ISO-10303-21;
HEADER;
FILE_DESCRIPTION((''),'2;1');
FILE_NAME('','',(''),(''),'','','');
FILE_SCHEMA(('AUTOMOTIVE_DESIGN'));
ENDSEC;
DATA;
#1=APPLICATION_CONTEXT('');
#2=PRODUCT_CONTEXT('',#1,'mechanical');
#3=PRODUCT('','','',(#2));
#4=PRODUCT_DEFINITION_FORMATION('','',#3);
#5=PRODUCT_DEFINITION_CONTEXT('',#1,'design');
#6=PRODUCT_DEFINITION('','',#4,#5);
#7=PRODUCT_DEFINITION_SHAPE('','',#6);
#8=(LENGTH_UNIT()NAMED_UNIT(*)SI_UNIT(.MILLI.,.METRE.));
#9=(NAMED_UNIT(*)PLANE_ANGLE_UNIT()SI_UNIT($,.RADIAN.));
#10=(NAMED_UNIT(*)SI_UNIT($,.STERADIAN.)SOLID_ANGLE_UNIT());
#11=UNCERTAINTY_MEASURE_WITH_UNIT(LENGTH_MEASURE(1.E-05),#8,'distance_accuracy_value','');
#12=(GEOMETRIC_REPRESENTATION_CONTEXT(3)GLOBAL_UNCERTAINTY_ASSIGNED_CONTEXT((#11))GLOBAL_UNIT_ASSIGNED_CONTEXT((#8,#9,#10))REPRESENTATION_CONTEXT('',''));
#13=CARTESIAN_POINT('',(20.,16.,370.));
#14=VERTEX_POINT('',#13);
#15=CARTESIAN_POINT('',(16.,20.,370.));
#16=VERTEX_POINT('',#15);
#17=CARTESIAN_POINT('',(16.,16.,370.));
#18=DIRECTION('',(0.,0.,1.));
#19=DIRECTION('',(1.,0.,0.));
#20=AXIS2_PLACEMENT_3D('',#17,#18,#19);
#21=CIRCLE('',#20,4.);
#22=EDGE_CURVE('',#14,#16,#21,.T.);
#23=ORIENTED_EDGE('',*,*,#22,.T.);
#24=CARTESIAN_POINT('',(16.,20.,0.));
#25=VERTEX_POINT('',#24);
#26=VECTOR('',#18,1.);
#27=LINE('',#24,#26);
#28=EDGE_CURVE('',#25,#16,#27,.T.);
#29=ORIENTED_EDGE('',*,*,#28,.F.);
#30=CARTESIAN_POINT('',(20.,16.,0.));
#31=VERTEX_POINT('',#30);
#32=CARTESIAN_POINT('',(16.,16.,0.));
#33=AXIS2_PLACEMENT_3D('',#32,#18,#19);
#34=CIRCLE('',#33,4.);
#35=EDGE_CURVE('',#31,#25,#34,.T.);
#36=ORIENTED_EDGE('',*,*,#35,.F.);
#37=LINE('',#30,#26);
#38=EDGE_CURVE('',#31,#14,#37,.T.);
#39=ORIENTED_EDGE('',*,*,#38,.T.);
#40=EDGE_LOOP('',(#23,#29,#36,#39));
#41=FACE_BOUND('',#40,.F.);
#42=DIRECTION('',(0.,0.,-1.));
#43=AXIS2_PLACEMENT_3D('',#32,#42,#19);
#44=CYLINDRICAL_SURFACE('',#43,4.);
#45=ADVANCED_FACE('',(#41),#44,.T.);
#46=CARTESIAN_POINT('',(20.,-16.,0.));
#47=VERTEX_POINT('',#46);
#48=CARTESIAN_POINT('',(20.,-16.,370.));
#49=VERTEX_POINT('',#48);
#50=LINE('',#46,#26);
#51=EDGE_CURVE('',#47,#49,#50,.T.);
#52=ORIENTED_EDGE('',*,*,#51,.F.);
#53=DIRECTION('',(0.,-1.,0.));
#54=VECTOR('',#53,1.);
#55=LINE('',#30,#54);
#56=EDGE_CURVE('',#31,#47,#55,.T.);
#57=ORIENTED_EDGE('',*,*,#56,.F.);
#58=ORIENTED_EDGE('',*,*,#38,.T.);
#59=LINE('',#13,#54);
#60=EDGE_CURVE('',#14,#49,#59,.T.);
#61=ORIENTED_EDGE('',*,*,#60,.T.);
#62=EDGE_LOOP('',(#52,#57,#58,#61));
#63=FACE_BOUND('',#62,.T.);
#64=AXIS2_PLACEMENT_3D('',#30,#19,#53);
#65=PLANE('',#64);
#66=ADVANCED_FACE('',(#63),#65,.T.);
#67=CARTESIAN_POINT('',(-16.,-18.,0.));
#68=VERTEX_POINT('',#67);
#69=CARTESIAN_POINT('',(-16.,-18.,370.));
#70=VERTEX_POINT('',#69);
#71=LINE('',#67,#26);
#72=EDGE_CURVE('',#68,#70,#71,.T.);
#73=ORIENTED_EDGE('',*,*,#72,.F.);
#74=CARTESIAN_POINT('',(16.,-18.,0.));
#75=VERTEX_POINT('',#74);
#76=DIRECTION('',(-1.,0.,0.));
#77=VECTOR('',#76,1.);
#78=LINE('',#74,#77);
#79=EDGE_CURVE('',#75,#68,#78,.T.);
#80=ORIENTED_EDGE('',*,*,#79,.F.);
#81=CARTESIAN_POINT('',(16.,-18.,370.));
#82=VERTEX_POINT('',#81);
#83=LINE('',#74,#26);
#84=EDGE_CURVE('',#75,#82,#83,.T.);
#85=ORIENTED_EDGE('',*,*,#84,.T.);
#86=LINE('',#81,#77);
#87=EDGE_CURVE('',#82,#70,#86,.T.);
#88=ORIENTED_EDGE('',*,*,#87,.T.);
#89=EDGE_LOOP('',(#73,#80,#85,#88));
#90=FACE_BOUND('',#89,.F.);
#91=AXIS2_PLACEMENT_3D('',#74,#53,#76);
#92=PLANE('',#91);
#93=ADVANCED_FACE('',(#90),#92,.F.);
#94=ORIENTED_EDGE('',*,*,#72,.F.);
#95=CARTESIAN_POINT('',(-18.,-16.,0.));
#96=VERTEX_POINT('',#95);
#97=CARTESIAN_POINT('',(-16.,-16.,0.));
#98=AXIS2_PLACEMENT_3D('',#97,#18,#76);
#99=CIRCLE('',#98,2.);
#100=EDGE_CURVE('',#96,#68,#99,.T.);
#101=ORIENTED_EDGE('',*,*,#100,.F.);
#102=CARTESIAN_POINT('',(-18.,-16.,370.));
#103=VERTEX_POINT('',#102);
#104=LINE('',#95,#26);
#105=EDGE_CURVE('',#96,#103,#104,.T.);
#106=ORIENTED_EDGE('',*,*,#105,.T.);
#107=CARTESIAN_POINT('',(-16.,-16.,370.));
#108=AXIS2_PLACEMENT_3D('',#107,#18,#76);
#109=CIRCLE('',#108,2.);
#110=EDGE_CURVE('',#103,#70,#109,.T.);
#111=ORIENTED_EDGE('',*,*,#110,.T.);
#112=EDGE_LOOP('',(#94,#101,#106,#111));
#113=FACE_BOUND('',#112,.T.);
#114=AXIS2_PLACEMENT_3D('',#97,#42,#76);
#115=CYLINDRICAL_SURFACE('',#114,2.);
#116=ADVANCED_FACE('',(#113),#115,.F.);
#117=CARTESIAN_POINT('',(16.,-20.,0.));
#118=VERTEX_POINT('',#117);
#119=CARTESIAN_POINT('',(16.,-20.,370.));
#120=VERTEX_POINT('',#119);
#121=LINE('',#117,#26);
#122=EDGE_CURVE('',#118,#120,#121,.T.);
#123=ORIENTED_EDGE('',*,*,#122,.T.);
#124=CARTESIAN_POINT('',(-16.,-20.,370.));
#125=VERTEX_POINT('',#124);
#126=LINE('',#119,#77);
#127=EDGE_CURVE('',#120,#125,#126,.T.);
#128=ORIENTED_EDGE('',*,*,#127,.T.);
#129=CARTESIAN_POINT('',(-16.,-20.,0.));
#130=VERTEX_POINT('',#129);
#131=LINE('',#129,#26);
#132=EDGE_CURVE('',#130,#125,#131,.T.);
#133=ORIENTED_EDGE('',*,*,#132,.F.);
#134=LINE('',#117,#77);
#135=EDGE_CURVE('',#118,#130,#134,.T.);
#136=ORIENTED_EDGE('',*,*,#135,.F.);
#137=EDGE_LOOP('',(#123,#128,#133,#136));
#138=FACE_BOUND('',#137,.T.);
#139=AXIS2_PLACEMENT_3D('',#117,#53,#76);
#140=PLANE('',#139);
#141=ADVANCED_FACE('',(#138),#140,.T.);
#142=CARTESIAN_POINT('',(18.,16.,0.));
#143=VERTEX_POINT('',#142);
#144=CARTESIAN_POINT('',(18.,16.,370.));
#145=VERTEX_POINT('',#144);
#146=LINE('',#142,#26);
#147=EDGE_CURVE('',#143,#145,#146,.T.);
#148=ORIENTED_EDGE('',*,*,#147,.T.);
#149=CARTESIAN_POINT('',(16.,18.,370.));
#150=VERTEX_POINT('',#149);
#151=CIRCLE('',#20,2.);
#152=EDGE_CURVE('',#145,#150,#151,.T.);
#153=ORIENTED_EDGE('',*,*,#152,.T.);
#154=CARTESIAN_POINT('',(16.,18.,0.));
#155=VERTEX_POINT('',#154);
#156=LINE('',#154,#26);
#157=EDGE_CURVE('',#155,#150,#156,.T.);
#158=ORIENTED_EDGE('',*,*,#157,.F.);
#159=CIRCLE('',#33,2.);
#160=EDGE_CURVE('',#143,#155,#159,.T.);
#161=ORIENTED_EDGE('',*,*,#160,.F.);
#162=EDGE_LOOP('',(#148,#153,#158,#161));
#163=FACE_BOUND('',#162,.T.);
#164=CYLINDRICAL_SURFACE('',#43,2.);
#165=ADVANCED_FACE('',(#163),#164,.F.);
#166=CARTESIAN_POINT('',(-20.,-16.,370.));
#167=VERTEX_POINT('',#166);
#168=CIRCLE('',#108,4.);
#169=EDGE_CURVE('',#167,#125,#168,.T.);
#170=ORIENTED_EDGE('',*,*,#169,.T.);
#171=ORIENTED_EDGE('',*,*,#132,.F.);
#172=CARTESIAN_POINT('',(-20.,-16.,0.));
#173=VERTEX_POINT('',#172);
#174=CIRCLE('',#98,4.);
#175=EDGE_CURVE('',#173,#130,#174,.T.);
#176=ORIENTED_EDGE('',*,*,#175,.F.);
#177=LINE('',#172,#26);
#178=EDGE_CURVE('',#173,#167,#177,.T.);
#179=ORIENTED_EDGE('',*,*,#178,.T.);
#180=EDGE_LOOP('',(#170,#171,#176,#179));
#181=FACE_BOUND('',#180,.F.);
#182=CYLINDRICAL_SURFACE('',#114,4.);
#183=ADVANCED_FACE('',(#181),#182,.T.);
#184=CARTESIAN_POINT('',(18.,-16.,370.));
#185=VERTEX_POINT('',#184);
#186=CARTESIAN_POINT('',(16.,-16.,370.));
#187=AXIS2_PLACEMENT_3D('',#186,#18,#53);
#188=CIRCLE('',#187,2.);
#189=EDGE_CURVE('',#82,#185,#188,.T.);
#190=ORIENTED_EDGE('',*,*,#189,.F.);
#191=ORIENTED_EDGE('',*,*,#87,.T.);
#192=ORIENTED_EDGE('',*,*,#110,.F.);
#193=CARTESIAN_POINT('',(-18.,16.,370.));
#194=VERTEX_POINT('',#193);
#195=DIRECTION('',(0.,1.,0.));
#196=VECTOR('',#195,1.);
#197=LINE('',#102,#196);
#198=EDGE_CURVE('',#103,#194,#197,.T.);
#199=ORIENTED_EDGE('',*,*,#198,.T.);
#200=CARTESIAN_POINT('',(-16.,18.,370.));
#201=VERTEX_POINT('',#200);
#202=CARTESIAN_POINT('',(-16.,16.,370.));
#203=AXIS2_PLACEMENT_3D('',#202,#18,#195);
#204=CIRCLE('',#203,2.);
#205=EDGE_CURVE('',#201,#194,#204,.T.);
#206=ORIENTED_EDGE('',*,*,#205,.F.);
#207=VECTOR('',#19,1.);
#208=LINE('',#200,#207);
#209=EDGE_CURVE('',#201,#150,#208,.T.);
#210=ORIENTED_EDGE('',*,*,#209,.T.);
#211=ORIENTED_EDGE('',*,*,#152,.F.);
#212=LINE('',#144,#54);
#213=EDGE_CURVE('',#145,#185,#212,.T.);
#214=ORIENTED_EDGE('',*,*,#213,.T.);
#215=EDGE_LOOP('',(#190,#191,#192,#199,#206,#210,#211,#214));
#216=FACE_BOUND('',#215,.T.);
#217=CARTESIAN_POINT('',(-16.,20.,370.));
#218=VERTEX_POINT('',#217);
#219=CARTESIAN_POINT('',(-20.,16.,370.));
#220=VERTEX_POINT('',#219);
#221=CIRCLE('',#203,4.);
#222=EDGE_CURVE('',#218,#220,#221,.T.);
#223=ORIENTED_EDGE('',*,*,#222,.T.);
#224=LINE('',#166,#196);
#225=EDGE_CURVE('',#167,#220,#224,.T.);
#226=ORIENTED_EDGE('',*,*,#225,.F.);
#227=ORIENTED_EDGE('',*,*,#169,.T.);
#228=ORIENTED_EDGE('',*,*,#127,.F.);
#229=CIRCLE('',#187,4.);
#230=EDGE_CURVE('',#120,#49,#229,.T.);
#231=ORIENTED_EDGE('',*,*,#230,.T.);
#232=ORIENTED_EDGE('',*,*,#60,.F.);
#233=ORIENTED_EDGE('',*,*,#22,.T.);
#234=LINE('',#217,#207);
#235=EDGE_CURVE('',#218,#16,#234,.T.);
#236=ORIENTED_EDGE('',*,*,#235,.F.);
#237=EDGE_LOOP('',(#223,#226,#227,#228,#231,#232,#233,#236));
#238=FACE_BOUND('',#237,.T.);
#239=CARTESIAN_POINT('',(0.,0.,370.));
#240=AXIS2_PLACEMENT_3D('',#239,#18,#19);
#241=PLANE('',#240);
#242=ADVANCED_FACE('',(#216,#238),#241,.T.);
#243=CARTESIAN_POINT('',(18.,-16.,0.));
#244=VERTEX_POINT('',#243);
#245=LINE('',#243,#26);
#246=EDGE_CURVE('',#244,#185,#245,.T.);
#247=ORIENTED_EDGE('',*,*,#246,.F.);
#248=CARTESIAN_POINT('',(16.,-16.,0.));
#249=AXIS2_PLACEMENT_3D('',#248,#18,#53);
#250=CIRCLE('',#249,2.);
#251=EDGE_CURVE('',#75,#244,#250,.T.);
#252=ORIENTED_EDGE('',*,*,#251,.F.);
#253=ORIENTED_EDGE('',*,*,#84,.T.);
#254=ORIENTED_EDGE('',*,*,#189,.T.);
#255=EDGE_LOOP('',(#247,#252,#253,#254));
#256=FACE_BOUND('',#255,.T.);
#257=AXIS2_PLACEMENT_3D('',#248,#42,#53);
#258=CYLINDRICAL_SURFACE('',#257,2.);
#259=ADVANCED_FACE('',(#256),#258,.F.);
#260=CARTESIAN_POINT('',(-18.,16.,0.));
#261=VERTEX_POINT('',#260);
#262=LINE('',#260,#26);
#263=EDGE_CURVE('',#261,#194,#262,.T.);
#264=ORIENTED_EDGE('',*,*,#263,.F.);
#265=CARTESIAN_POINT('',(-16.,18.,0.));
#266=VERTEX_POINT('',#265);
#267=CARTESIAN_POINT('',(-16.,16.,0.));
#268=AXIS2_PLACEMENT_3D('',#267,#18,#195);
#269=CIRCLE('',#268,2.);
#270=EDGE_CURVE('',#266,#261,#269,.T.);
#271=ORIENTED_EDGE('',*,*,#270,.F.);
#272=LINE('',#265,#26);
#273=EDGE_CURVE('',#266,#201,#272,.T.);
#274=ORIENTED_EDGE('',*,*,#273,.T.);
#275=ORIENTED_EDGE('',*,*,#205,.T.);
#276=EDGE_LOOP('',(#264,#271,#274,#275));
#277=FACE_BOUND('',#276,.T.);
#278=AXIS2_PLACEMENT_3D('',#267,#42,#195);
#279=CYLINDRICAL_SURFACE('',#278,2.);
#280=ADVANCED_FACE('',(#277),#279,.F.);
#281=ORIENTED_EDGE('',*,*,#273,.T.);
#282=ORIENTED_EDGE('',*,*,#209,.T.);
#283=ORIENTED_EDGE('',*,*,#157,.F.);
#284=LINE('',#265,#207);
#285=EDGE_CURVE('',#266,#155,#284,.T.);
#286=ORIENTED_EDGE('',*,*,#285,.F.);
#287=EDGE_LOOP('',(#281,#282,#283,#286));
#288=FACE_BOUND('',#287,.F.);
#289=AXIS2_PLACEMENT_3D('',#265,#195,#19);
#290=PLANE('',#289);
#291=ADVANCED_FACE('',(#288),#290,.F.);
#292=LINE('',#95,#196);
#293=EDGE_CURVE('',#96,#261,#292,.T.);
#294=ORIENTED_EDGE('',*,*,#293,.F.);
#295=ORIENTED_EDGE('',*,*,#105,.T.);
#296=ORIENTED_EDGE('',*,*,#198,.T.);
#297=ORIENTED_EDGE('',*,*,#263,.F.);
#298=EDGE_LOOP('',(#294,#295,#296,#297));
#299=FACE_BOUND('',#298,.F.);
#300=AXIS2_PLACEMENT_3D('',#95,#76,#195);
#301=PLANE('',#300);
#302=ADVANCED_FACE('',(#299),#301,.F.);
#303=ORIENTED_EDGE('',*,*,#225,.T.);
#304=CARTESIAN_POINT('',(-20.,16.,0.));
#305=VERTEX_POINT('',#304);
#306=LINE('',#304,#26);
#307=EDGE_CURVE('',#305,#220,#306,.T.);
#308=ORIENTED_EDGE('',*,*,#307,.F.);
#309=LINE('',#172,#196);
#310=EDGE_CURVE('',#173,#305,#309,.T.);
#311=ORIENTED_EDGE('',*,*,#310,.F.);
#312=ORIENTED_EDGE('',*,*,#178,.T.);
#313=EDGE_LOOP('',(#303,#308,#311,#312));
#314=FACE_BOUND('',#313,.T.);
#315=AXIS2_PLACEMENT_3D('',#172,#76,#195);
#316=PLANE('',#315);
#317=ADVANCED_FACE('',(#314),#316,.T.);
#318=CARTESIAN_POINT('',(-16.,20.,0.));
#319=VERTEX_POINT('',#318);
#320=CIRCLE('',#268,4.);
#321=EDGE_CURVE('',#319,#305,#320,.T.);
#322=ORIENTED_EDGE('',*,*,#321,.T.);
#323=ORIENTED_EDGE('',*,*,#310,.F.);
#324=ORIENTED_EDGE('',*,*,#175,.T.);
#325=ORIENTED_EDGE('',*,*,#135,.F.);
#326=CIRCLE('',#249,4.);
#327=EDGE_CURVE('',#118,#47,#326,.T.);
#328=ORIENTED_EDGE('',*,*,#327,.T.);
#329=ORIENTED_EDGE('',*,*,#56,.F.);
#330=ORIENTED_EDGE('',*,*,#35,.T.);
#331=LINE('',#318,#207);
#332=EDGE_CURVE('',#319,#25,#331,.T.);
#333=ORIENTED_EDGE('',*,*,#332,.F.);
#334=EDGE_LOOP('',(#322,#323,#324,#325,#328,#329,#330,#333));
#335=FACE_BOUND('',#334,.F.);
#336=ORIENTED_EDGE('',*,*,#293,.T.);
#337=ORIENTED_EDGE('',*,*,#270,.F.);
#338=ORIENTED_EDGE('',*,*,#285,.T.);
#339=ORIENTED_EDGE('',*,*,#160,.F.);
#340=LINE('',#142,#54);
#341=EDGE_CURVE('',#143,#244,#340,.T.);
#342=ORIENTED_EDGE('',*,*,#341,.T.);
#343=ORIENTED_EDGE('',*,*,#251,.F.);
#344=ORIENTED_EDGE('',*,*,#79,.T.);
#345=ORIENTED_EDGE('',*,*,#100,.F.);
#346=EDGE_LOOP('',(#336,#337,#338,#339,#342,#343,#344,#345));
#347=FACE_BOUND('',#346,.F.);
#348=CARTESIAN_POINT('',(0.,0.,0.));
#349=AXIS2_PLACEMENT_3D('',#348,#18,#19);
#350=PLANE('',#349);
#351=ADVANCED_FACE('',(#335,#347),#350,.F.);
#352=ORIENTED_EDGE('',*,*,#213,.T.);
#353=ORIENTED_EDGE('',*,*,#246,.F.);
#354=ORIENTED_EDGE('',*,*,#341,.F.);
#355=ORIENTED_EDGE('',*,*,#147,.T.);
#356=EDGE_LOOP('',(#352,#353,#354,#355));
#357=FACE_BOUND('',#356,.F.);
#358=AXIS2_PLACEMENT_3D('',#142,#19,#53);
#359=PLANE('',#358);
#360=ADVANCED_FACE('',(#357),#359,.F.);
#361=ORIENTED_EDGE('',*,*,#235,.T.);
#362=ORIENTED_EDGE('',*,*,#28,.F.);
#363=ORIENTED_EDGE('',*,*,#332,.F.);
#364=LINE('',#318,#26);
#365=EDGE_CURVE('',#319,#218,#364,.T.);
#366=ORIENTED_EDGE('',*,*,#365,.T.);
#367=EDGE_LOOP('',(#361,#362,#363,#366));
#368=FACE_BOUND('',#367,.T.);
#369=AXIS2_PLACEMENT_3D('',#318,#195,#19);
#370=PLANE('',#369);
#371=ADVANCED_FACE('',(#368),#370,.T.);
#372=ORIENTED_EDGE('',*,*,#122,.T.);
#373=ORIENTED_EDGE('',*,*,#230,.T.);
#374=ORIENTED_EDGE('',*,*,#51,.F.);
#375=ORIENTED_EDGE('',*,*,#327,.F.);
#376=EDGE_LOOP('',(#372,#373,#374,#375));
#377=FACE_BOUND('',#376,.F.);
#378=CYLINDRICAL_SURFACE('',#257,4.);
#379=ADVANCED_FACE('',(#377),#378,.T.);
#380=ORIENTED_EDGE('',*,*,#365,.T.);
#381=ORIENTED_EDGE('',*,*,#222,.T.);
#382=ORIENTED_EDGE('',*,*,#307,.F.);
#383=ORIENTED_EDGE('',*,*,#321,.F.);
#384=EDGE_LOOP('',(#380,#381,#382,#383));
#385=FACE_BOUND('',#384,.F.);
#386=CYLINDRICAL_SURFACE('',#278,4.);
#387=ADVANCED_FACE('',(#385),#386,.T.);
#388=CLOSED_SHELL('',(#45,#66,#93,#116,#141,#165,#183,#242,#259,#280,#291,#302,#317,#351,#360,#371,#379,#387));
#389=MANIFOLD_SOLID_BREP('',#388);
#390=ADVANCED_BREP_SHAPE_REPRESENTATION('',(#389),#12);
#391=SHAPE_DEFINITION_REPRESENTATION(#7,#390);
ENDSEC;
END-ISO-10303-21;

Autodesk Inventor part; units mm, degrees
ref_plane "YZ Plane" through (0, 0, 0) normal (1, 0, 0) x (0, 1, 0)
ref_plane "Piano iniziale" through (0, 0, 0) normal (0, 0, 1) x (1, 0, 0)
ref_plane "Piano finale" through (0, 0, 370) normal (0, 0, 1) x (1, 0, 0)
sketch "Schizzo" plane through (0, 0, 0) normal (0, 0, 1) x (1, 0, 0)
  line L0 (-20, -16) -> (-20, 16)
  line L1 (-16, 20) -> (16, 20)
  line L2 (20, 16) -> (20, -16)
  line L3 (16, -20) -> (-16, -20)
  arc A0 (-20, -16) -> (-16, -20) centre (-16, -16) ccw
  arc A1 (20, 16) -> (16, 20) centre (16, 16) ccw
  arc A2 (-16, 20) -> (-20, 16) centre (-16, 16) ccw
  arc A3 (16, -20) -> (20, -16) centre (16, -16) ccw
  arc A4 (-16, 18) -> (-18, 16) centre (-16, 16) ccw
  line L4 (-16, 18) -> (16, 18)
  arc A5 (18, 16) -> (16, 18) centre (16, 16) ccw
  line L5 (18, 16) -> (18, -16)
  arc A6 (16, -18) -> (18, -16) centre (16, -16) ccw
  line L6 (16, -18) -> (-16, -18)
  arc A7 (-18, -16) -> (-16, -18) centre (-16, -16) ccw
  line L7 (-18, -16) -> (-18, 16)
  line L8 (0, 29.1598) -> (0, -29.1598) construction
  line L9 (-29.1598, 0) -> (29.1598, 0) construction
  dimension "d7" = 4
  dimension "d9" = 40
  dimension "d11" = 40
  dimension "d12" = 2
  dimension "d15" = 20
  dimension "d16" = 20
extrude "Corpo" add sketch "Schizzo" along normal up to surface (370 mm away) from surface at 0
sketch "Sketch3" plane through (0, 0, 0) normal (0, 0, 1) x (1, 0, 0)
  line L0 (0, 0) -> (10, 0)
ref_plane "Work Plane3" through (0, 0, 0) normal (0, -1, 0) x (1, 0, 0)
sketch "Sketch4" plane through (0, 0, 0) normal (0, -1, 0) x (1, 0, 0)
  line L0 (-2, 0) -> (12, 0)
  line L1 (-2, 370) -> (12, 370)
  dimension "d18" = 370
equation "\"d7\" = G_IR"
equation "\"d9\" = G_W"
equation "\"d11\" = G_H"
equation "\"d12\" = G_T"
equation "\"d15\" = 0.5 * d9"
equation "\"d16\" = 0.5 * d11"
equation "\"d3\" = G_L"
equation "\"G_W\" = 40"
equation "\"G_H\" = 40"
equation "\"G_T\" = 2"
equation "\"G_IR\" = 4"
equation "\"G_L\" = d18"
equation "\"G_OFFSET_START\" = 0"
equation "\"G_OFFSET_END\" = 0"
properties part number "ISO 10799-2 - 40x40x2 - 340" material "Acciaio, Dolce"
